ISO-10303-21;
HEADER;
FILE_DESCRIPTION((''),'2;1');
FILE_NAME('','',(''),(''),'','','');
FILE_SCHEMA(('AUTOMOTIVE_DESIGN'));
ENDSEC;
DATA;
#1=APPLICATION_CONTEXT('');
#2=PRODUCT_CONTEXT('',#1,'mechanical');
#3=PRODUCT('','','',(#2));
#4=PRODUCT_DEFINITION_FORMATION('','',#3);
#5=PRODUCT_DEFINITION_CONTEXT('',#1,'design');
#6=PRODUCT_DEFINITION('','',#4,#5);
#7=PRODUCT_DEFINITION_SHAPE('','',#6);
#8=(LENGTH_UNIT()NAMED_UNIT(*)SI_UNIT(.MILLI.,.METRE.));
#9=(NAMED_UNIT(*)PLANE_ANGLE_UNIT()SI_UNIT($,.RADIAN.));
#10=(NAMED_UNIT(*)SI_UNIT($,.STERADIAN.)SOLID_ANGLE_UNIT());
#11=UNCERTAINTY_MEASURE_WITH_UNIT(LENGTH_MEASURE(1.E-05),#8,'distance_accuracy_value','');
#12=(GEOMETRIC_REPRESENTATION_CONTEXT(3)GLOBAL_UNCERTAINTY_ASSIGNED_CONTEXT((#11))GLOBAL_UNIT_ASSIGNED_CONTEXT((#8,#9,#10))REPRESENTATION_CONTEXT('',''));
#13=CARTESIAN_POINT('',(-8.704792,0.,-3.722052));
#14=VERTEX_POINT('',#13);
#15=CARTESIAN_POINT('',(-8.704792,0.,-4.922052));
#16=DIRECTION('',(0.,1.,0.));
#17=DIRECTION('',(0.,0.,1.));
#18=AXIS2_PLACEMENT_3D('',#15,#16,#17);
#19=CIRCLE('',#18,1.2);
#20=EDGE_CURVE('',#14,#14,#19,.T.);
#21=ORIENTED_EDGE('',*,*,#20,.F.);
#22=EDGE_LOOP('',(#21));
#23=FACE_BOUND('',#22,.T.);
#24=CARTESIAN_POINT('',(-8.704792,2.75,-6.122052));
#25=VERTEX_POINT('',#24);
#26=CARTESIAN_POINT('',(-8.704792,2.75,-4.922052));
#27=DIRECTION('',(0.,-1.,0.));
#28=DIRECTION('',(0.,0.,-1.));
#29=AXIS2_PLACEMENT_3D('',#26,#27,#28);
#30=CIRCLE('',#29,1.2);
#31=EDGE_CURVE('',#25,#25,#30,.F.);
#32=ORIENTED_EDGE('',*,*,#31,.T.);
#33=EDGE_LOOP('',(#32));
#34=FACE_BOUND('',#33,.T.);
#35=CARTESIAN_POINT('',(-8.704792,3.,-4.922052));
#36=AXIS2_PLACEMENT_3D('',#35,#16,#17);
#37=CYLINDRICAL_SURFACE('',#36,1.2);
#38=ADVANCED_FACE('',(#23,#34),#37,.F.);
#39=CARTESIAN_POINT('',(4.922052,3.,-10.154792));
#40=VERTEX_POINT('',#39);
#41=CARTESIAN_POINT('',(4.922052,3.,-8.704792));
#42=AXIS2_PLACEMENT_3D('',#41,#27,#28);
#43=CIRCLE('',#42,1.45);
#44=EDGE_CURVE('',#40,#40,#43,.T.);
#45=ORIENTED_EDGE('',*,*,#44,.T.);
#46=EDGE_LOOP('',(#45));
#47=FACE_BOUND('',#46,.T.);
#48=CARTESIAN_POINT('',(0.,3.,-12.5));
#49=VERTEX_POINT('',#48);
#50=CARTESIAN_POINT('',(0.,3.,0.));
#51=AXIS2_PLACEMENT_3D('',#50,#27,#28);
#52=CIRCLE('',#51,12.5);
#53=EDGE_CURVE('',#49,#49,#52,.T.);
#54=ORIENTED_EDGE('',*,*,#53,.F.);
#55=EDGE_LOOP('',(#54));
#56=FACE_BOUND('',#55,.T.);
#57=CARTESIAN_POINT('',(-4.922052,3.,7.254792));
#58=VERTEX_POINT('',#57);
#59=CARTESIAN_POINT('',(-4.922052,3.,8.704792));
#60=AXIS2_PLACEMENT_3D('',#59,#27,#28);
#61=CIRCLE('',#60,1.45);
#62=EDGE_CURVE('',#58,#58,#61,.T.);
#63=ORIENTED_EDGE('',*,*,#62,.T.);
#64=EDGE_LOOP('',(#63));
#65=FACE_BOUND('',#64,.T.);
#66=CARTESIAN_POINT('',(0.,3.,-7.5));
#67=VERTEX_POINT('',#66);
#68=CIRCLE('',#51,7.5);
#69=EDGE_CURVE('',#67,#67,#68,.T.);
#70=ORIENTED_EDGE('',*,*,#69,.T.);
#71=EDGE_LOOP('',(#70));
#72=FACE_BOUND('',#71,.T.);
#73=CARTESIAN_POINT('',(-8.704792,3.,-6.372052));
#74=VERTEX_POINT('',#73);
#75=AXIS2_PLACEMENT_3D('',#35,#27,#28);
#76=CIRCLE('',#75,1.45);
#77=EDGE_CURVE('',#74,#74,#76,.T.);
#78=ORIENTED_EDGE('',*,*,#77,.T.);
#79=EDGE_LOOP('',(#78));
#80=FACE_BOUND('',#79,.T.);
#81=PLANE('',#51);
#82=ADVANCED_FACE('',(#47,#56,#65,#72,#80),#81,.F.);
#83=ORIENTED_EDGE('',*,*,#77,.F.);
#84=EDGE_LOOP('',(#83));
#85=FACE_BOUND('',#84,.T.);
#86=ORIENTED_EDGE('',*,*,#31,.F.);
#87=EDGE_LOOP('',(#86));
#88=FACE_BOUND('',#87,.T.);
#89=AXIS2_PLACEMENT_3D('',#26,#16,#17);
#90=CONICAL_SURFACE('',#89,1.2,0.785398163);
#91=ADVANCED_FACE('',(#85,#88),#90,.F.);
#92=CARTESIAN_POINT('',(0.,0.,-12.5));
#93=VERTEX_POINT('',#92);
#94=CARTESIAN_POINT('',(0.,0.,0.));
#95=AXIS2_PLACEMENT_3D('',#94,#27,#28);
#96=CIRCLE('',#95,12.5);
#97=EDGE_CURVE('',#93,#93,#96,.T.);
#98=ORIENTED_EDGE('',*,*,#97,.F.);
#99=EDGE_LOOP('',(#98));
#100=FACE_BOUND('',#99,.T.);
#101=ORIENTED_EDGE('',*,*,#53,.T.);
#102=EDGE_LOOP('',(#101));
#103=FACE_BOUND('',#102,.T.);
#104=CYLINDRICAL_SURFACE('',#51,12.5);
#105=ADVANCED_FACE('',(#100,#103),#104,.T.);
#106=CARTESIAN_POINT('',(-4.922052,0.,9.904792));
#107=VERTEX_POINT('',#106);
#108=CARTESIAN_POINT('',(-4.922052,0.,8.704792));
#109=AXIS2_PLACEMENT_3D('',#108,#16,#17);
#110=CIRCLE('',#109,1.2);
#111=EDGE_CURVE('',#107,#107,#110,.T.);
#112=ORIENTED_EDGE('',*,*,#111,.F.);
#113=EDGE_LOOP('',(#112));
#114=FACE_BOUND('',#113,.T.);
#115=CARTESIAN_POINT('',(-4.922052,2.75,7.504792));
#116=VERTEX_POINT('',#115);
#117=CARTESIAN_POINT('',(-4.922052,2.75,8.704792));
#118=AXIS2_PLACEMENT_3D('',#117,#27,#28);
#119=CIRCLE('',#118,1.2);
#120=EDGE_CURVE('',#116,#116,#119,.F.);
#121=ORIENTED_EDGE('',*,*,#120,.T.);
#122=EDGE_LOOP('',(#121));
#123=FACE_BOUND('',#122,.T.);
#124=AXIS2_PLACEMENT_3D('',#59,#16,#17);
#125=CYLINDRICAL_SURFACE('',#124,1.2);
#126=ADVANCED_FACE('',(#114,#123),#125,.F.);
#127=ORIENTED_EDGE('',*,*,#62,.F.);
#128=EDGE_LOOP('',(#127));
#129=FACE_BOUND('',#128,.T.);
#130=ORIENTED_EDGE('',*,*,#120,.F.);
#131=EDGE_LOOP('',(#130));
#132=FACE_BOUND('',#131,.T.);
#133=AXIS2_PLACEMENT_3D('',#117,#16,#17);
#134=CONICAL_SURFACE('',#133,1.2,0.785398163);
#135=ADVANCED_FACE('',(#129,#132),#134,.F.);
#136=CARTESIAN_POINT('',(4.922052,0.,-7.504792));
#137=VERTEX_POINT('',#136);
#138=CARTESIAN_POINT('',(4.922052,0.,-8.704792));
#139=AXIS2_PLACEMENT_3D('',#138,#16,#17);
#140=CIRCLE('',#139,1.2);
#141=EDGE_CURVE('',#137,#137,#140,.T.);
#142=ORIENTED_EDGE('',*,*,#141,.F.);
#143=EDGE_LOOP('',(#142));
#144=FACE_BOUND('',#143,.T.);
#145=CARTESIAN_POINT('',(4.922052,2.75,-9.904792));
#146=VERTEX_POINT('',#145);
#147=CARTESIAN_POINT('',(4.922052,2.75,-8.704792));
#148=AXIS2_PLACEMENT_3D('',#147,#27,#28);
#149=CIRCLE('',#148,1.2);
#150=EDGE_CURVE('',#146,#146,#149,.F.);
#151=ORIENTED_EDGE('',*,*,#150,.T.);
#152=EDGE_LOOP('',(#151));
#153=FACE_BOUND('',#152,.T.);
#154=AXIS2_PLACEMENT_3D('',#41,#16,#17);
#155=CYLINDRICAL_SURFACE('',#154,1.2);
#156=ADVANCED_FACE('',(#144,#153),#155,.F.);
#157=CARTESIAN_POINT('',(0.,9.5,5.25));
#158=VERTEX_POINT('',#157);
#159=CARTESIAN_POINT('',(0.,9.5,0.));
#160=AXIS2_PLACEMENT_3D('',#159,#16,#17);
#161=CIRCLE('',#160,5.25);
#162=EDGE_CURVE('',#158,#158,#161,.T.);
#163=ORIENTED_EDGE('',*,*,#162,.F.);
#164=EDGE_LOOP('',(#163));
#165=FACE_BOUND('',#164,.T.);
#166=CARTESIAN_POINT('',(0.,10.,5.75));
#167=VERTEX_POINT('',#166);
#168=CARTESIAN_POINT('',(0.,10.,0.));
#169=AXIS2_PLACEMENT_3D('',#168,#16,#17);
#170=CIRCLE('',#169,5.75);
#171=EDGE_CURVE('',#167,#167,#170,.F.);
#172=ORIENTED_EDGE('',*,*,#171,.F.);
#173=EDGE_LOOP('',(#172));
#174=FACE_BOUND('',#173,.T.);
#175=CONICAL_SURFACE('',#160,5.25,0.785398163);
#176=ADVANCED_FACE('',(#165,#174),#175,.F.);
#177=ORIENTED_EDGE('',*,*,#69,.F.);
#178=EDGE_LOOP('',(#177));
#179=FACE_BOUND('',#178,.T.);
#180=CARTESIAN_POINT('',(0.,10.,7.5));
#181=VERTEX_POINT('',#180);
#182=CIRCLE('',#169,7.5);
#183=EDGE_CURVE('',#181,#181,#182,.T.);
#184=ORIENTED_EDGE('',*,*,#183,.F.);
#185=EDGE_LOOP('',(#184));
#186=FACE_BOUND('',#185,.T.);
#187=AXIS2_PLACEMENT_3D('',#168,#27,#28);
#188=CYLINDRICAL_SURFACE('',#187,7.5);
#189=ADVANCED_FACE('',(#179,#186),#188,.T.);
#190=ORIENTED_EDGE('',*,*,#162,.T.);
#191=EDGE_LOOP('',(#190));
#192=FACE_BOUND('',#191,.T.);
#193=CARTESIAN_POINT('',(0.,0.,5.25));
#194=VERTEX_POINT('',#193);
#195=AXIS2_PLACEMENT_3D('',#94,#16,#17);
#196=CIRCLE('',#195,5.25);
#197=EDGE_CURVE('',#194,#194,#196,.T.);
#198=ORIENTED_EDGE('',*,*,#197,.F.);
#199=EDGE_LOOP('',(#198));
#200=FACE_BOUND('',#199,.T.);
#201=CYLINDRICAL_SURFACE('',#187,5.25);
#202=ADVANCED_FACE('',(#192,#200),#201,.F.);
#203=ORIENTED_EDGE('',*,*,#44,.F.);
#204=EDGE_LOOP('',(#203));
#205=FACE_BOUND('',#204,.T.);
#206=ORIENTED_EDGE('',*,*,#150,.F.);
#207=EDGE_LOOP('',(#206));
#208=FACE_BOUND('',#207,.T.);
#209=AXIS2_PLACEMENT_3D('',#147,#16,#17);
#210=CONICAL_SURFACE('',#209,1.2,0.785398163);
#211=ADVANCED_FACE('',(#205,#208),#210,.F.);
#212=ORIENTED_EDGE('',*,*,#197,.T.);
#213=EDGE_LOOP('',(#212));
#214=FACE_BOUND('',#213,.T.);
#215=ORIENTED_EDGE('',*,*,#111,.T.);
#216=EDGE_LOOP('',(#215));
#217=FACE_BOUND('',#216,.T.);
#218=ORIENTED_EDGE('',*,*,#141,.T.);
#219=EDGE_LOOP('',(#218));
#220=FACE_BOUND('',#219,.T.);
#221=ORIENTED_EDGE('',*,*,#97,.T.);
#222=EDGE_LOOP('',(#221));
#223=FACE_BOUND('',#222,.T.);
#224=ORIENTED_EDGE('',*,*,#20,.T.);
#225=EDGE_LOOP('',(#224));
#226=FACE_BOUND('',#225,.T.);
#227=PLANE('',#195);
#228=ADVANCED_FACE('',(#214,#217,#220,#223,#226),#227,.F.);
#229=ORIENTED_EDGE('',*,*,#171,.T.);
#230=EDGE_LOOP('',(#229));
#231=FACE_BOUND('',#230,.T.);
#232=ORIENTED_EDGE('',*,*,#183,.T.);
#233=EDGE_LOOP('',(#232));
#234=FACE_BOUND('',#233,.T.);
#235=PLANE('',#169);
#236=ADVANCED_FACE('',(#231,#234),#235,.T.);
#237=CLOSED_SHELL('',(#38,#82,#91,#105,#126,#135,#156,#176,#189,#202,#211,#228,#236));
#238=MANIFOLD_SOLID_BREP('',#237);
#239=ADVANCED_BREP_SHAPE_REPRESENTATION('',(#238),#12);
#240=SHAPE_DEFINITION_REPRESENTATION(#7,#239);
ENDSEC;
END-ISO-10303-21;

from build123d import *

# Parameters (mm, degrees)
SKETCH_1_R         = 7.5
SKETCH_1_R_2       = 5.25
EXTRUDE_1_DEPTH    = 10
SKETCH_2_R         = 12.5
SKETCH_2_R_2       = 7.5
EXTRUDE_2_DEPTH    = 3
HOLE_WIZARD_M2_1_D = 2.4
CHAMFER_1_SIZE     = 0.5
CHAMFER_2_SIZE     = 0.25


with BuildPart() as part:
    # 草图1 → 凸台-拉伸1 (new body)
    with BuildSketch(Plane(origin=(0, 0, 0), x_dir=(1, 0, 0), z_dir=(0, 1, 0))):
        Circle(SKETCH_1_R)
        Circle(SKETCH_1_R_2, mode=Mode.SUBTRACT)
    extrude(amount=EXTRUDE_1_DEPTH)

    # 草图2 → 凸台-拉伸2 (add)
    with BuildSketch(Plane.XZ):
        Circle(SKETCH_2_R)
        Circle(SKETCH_2_R_2, mode=Mode.SUBTRACT)
    extrude(amount=-EXTRUDE_2_DEPTH)

    # M2 间隙孔1 (through all)
    with Locations(Plane(origin=(-33.948689325, 3, -19.196001998), x_dir=(-0.49220518, 0, 0.870479213), z_dir=(0, 1, 0))):
        with Locations((-10.000000033, 38.999999994), (9.999999967, 38.999999994), (-3.3e-08, 28.999999994)):
            Hole(HOLE_WIZARD_M2_1_D / 2)

    # 倒角1
    chamfer_1_edges = [part.edges().sort_by_distance(p)[0] for p in [
        (-5.25, 10, 0),
    ]]
    chamfer(chamfer_1_edges, length=CHAMFER_1_SIZE)

    # 倒角2
    chamfer_2_edges = [part.edges().sort_by_distance(p)[0] for p in [
        (-9.295438348, 3, -3.877476747),
        (-5.512698019, 3, 9.749367187),
        (4.331405586, 3, -7.660217076),
    ]]
    chamfer(chamfer_2_edges, length=CHAMFER_2_SIZE)


solid = part.part
